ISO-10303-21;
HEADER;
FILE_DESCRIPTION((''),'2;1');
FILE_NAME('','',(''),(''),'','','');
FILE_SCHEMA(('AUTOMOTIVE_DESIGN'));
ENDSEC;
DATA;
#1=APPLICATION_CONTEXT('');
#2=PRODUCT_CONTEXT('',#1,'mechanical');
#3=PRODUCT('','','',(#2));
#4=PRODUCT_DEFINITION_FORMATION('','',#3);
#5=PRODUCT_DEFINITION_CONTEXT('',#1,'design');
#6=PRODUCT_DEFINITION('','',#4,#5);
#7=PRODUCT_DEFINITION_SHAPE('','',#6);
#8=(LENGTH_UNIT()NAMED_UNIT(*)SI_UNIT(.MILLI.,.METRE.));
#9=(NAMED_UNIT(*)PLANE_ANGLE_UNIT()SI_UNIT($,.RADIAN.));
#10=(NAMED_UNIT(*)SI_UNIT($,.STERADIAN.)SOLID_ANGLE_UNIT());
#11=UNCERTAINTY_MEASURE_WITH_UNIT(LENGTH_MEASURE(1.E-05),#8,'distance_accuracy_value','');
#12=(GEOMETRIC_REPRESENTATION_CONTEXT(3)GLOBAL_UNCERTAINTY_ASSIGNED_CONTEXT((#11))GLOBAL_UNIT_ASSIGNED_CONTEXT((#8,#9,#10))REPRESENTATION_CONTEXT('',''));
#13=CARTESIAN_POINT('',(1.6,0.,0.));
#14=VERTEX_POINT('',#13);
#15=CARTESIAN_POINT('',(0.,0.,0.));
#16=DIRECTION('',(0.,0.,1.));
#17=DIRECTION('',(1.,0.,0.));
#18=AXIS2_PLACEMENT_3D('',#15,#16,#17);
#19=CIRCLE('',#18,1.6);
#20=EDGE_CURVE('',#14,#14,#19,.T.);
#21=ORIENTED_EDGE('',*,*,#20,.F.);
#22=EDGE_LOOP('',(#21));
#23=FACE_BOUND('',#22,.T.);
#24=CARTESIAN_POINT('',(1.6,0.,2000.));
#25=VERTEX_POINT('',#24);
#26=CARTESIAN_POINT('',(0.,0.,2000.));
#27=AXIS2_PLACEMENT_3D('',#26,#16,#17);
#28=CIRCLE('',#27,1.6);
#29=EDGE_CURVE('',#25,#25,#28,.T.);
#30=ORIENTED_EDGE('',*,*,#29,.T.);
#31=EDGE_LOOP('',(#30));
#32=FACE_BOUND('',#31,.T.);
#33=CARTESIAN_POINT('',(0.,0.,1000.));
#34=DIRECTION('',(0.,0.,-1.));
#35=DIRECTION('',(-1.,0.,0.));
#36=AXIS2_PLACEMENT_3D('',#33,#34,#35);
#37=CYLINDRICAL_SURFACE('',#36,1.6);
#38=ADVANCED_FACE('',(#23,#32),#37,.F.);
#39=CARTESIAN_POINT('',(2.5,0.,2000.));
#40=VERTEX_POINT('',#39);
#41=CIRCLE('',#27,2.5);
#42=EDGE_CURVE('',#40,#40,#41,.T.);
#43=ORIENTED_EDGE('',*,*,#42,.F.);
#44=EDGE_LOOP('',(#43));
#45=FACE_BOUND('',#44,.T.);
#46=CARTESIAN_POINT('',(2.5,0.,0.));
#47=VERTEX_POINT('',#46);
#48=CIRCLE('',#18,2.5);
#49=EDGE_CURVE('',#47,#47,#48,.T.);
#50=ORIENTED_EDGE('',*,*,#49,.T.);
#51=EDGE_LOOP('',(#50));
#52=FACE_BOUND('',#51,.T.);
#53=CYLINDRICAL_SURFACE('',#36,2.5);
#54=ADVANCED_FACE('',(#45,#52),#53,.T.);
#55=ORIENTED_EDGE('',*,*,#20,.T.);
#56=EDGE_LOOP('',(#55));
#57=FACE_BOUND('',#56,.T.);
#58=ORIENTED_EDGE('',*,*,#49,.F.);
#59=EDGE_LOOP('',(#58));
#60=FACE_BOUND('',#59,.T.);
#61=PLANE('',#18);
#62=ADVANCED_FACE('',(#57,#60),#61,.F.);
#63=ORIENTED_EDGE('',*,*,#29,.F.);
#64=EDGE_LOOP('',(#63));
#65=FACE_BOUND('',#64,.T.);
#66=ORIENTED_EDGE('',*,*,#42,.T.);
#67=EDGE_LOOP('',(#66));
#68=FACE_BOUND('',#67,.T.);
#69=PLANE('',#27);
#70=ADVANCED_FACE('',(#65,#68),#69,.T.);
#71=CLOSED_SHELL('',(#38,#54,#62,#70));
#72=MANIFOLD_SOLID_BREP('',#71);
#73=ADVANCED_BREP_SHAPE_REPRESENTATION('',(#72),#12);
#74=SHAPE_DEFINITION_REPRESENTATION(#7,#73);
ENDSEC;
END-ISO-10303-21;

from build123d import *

# Parameters (mm, degrees)
SKETCH1_R           = 2.5
SKETCH1_R_2         = 1.6
BOSS_EXTRUDE1_DEPTH = 1000
SKETCH2_R           = 2.5
SKETCH2_R_2         = 1.6
BOSS_EXTRUDE2_DEPTH = 500
SKETCH3_R           = 2.5
SKETCH3_R_2         = 1.6
BOSS_EXTRUDE3_DEPTH = 500


with BuildPart() as part:
    # Sketch1 → Boss-Extrude1 (new body)
    with BuildSketch(Plane.XY):
        Circle(SKETCH1_R)
        Circle(SKETCH1_R_2, mode=Mode.SUBTRACT)
    extrude(amount=BOSS_EXTRUDE1_DEPTH)

    # Sketch2 → Boss-Extrude2 (add)
    with BuildSketch(Plane.XY.offset(1000)):
        Circle(SKETCH2_R)
        Circle(SKETCH2_R_2, mode=Mode.SUBTRACT)
    extrude(amount=BOSS_EXTRUDE2_DEPTH)

    # Sketch3 → Boss-Extrude3 (add)
    with BuildSketch(Plane.XY.offset(1500)):
        Circle(SKETCH3_R)
        Circle(SKETCH3_R_2, mode=Mode.SUBTRACT)
    extrude(amount=BOSS_EXTRUDE3_DEPTH)


solid = part.part
